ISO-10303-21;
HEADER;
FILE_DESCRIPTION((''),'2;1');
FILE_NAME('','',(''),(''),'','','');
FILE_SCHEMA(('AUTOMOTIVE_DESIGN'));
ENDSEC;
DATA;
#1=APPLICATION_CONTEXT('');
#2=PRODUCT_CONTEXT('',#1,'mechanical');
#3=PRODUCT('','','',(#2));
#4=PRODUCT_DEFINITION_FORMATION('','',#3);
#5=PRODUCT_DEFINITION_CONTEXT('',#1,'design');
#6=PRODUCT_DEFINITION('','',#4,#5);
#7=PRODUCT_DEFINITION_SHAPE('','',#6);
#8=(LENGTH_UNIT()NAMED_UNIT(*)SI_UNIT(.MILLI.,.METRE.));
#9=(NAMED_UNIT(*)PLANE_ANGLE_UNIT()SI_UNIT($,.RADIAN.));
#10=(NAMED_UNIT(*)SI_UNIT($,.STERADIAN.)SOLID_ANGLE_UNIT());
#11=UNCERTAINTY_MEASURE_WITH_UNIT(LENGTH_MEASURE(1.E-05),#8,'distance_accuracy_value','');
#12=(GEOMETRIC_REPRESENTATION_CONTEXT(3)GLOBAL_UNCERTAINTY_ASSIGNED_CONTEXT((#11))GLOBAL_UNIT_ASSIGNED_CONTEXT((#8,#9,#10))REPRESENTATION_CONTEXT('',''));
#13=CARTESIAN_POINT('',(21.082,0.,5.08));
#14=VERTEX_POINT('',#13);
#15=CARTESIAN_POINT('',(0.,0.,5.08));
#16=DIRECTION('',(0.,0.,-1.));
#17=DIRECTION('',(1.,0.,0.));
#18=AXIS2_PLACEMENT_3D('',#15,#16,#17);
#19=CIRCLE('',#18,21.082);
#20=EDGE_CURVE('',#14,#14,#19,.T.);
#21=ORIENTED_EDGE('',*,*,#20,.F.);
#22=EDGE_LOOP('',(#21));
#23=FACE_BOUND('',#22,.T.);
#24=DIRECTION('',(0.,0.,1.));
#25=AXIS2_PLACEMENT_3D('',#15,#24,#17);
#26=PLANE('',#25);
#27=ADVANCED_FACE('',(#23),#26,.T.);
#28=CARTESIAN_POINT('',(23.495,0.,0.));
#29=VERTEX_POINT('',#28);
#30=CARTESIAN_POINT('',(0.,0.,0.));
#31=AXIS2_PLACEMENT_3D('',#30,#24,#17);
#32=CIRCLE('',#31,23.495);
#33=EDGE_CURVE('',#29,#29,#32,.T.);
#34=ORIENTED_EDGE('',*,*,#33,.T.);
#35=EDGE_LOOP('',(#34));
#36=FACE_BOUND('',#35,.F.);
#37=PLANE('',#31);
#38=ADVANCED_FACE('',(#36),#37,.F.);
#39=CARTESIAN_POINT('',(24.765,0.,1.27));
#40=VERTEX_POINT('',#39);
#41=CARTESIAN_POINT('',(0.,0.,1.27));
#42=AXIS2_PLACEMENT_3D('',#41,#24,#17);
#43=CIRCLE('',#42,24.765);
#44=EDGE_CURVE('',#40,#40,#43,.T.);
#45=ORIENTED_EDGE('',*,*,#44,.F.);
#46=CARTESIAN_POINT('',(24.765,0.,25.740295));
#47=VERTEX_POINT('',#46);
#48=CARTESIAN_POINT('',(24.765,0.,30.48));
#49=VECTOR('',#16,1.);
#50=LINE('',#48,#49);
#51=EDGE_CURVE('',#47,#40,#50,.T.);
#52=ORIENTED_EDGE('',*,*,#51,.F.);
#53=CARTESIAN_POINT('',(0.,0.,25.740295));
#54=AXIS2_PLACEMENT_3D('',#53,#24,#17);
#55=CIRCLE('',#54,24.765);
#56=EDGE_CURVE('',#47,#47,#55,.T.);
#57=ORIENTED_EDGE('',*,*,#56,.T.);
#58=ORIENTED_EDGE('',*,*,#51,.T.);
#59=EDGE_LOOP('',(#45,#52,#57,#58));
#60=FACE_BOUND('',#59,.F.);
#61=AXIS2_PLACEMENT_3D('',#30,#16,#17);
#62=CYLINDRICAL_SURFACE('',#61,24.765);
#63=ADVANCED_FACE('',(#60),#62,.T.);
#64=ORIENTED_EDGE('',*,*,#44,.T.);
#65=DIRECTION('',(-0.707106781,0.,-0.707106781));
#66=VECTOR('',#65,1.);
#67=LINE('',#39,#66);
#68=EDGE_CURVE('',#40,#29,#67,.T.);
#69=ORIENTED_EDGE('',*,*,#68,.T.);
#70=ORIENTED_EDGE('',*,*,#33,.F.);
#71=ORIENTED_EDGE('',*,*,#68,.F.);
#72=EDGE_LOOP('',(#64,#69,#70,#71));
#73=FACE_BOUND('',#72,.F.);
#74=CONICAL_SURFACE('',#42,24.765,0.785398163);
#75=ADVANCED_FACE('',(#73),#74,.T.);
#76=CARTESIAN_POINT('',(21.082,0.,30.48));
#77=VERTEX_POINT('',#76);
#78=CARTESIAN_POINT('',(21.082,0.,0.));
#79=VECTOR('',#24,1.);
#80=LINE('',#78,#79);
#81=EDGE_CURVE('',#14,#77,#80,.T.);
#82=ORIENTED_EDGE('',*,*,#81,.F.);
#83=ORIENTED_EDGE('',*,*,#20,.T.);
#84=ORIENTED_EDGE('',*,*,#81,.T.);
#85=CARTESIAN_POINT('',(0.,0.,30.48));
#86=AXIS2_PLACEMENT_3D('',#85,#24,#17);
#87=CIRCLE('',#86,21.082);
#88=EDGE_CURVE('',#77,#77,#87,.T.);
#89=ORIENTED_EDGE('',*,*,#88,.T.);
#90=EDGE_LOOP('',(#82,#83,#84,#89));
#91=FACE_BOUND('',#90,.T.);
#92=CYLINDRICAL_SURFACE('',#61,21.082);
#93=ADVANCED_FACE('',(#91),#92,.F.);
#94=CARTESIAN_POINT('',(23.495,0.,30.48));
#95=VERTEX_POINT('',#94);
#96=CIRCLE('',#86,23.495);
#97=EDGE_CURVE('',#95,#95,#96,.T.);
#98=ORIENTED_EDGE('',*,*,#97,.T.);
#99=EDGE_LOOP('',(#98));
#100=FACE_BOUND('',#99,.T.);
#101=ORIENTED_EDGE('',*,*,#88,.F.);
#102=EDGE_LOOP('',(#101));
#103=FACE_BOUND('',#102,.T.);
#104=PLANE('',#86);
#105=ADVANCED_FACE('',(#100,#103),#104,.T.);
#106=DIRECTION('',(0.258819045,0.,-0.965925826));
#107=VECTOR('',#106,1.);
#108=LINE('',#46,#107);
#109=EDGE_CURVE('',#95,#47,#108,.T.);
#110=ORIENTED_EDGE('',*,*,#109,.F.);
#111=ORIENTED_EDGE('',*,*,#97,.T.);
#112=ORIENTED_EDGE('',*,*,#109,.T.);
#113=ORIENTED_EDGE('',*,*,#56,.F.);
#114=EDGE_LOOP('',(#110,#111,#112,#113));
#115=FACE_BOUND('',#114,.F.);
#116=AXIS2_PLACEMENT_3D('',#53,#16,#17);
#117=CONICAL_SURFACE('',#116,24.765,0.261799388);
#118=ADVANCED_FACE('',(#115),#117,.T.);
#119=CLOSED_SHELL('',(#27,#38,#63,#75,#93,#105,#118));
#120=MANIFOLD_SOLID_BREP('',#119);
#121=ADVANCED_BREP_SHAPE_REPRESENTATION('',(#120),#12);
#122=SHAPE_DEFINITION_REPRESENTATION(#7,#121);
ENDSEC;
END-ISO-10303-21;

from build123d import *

# Parameters (mm, degrees)
F0_R     = 24.765
F0_R_2   = 21.082
F1_DEPTH = 30.48
F2_DEPTH = 5.08
F3_SIZE2 = 4.7397045256
F3_SIZE  = 1.27
F4_SIZE  = 1.27


with BuildPart() as f1:
    # F0 (on Top) → F1 (new body)
    with BuildSketch(Plane.XY):
        Circle(F0_R)
        Circle(F0_R_2, mode=Mode.SUBTRACT)
    extrude(amount=F1_DEPTH)

    # F0 (on Top) → F2 (join)
    with BuildSketch(Plane.XY):
        Circle(F0_R)
        Circle(F0_R_2, mode=Mode.SUBTRACT)
        Circle(F0_R_2)
    extrude(amount=F2_DEPTH)

    # F3
    f3_edges = [f1.edges().sort_by_distance(p)[0] for p in [
        (-24.765, 0, 30.48),
    ]]
    f3_side = f1.faces().sort_by_distance((-24.06454, 0, 30.48))[0]
    chamfer(f3_edges, length=F3_SIZE, length2=F3_SIZE2, reference=f3_side)

    # F4
    f4_edges = [f1.edges().sort_by_distance(p)[0] for p in [
        (-24.765, 0, 0),
    ]]
    chamfer(f4_edges, length=F4_SIZE)


solid = f1.part
